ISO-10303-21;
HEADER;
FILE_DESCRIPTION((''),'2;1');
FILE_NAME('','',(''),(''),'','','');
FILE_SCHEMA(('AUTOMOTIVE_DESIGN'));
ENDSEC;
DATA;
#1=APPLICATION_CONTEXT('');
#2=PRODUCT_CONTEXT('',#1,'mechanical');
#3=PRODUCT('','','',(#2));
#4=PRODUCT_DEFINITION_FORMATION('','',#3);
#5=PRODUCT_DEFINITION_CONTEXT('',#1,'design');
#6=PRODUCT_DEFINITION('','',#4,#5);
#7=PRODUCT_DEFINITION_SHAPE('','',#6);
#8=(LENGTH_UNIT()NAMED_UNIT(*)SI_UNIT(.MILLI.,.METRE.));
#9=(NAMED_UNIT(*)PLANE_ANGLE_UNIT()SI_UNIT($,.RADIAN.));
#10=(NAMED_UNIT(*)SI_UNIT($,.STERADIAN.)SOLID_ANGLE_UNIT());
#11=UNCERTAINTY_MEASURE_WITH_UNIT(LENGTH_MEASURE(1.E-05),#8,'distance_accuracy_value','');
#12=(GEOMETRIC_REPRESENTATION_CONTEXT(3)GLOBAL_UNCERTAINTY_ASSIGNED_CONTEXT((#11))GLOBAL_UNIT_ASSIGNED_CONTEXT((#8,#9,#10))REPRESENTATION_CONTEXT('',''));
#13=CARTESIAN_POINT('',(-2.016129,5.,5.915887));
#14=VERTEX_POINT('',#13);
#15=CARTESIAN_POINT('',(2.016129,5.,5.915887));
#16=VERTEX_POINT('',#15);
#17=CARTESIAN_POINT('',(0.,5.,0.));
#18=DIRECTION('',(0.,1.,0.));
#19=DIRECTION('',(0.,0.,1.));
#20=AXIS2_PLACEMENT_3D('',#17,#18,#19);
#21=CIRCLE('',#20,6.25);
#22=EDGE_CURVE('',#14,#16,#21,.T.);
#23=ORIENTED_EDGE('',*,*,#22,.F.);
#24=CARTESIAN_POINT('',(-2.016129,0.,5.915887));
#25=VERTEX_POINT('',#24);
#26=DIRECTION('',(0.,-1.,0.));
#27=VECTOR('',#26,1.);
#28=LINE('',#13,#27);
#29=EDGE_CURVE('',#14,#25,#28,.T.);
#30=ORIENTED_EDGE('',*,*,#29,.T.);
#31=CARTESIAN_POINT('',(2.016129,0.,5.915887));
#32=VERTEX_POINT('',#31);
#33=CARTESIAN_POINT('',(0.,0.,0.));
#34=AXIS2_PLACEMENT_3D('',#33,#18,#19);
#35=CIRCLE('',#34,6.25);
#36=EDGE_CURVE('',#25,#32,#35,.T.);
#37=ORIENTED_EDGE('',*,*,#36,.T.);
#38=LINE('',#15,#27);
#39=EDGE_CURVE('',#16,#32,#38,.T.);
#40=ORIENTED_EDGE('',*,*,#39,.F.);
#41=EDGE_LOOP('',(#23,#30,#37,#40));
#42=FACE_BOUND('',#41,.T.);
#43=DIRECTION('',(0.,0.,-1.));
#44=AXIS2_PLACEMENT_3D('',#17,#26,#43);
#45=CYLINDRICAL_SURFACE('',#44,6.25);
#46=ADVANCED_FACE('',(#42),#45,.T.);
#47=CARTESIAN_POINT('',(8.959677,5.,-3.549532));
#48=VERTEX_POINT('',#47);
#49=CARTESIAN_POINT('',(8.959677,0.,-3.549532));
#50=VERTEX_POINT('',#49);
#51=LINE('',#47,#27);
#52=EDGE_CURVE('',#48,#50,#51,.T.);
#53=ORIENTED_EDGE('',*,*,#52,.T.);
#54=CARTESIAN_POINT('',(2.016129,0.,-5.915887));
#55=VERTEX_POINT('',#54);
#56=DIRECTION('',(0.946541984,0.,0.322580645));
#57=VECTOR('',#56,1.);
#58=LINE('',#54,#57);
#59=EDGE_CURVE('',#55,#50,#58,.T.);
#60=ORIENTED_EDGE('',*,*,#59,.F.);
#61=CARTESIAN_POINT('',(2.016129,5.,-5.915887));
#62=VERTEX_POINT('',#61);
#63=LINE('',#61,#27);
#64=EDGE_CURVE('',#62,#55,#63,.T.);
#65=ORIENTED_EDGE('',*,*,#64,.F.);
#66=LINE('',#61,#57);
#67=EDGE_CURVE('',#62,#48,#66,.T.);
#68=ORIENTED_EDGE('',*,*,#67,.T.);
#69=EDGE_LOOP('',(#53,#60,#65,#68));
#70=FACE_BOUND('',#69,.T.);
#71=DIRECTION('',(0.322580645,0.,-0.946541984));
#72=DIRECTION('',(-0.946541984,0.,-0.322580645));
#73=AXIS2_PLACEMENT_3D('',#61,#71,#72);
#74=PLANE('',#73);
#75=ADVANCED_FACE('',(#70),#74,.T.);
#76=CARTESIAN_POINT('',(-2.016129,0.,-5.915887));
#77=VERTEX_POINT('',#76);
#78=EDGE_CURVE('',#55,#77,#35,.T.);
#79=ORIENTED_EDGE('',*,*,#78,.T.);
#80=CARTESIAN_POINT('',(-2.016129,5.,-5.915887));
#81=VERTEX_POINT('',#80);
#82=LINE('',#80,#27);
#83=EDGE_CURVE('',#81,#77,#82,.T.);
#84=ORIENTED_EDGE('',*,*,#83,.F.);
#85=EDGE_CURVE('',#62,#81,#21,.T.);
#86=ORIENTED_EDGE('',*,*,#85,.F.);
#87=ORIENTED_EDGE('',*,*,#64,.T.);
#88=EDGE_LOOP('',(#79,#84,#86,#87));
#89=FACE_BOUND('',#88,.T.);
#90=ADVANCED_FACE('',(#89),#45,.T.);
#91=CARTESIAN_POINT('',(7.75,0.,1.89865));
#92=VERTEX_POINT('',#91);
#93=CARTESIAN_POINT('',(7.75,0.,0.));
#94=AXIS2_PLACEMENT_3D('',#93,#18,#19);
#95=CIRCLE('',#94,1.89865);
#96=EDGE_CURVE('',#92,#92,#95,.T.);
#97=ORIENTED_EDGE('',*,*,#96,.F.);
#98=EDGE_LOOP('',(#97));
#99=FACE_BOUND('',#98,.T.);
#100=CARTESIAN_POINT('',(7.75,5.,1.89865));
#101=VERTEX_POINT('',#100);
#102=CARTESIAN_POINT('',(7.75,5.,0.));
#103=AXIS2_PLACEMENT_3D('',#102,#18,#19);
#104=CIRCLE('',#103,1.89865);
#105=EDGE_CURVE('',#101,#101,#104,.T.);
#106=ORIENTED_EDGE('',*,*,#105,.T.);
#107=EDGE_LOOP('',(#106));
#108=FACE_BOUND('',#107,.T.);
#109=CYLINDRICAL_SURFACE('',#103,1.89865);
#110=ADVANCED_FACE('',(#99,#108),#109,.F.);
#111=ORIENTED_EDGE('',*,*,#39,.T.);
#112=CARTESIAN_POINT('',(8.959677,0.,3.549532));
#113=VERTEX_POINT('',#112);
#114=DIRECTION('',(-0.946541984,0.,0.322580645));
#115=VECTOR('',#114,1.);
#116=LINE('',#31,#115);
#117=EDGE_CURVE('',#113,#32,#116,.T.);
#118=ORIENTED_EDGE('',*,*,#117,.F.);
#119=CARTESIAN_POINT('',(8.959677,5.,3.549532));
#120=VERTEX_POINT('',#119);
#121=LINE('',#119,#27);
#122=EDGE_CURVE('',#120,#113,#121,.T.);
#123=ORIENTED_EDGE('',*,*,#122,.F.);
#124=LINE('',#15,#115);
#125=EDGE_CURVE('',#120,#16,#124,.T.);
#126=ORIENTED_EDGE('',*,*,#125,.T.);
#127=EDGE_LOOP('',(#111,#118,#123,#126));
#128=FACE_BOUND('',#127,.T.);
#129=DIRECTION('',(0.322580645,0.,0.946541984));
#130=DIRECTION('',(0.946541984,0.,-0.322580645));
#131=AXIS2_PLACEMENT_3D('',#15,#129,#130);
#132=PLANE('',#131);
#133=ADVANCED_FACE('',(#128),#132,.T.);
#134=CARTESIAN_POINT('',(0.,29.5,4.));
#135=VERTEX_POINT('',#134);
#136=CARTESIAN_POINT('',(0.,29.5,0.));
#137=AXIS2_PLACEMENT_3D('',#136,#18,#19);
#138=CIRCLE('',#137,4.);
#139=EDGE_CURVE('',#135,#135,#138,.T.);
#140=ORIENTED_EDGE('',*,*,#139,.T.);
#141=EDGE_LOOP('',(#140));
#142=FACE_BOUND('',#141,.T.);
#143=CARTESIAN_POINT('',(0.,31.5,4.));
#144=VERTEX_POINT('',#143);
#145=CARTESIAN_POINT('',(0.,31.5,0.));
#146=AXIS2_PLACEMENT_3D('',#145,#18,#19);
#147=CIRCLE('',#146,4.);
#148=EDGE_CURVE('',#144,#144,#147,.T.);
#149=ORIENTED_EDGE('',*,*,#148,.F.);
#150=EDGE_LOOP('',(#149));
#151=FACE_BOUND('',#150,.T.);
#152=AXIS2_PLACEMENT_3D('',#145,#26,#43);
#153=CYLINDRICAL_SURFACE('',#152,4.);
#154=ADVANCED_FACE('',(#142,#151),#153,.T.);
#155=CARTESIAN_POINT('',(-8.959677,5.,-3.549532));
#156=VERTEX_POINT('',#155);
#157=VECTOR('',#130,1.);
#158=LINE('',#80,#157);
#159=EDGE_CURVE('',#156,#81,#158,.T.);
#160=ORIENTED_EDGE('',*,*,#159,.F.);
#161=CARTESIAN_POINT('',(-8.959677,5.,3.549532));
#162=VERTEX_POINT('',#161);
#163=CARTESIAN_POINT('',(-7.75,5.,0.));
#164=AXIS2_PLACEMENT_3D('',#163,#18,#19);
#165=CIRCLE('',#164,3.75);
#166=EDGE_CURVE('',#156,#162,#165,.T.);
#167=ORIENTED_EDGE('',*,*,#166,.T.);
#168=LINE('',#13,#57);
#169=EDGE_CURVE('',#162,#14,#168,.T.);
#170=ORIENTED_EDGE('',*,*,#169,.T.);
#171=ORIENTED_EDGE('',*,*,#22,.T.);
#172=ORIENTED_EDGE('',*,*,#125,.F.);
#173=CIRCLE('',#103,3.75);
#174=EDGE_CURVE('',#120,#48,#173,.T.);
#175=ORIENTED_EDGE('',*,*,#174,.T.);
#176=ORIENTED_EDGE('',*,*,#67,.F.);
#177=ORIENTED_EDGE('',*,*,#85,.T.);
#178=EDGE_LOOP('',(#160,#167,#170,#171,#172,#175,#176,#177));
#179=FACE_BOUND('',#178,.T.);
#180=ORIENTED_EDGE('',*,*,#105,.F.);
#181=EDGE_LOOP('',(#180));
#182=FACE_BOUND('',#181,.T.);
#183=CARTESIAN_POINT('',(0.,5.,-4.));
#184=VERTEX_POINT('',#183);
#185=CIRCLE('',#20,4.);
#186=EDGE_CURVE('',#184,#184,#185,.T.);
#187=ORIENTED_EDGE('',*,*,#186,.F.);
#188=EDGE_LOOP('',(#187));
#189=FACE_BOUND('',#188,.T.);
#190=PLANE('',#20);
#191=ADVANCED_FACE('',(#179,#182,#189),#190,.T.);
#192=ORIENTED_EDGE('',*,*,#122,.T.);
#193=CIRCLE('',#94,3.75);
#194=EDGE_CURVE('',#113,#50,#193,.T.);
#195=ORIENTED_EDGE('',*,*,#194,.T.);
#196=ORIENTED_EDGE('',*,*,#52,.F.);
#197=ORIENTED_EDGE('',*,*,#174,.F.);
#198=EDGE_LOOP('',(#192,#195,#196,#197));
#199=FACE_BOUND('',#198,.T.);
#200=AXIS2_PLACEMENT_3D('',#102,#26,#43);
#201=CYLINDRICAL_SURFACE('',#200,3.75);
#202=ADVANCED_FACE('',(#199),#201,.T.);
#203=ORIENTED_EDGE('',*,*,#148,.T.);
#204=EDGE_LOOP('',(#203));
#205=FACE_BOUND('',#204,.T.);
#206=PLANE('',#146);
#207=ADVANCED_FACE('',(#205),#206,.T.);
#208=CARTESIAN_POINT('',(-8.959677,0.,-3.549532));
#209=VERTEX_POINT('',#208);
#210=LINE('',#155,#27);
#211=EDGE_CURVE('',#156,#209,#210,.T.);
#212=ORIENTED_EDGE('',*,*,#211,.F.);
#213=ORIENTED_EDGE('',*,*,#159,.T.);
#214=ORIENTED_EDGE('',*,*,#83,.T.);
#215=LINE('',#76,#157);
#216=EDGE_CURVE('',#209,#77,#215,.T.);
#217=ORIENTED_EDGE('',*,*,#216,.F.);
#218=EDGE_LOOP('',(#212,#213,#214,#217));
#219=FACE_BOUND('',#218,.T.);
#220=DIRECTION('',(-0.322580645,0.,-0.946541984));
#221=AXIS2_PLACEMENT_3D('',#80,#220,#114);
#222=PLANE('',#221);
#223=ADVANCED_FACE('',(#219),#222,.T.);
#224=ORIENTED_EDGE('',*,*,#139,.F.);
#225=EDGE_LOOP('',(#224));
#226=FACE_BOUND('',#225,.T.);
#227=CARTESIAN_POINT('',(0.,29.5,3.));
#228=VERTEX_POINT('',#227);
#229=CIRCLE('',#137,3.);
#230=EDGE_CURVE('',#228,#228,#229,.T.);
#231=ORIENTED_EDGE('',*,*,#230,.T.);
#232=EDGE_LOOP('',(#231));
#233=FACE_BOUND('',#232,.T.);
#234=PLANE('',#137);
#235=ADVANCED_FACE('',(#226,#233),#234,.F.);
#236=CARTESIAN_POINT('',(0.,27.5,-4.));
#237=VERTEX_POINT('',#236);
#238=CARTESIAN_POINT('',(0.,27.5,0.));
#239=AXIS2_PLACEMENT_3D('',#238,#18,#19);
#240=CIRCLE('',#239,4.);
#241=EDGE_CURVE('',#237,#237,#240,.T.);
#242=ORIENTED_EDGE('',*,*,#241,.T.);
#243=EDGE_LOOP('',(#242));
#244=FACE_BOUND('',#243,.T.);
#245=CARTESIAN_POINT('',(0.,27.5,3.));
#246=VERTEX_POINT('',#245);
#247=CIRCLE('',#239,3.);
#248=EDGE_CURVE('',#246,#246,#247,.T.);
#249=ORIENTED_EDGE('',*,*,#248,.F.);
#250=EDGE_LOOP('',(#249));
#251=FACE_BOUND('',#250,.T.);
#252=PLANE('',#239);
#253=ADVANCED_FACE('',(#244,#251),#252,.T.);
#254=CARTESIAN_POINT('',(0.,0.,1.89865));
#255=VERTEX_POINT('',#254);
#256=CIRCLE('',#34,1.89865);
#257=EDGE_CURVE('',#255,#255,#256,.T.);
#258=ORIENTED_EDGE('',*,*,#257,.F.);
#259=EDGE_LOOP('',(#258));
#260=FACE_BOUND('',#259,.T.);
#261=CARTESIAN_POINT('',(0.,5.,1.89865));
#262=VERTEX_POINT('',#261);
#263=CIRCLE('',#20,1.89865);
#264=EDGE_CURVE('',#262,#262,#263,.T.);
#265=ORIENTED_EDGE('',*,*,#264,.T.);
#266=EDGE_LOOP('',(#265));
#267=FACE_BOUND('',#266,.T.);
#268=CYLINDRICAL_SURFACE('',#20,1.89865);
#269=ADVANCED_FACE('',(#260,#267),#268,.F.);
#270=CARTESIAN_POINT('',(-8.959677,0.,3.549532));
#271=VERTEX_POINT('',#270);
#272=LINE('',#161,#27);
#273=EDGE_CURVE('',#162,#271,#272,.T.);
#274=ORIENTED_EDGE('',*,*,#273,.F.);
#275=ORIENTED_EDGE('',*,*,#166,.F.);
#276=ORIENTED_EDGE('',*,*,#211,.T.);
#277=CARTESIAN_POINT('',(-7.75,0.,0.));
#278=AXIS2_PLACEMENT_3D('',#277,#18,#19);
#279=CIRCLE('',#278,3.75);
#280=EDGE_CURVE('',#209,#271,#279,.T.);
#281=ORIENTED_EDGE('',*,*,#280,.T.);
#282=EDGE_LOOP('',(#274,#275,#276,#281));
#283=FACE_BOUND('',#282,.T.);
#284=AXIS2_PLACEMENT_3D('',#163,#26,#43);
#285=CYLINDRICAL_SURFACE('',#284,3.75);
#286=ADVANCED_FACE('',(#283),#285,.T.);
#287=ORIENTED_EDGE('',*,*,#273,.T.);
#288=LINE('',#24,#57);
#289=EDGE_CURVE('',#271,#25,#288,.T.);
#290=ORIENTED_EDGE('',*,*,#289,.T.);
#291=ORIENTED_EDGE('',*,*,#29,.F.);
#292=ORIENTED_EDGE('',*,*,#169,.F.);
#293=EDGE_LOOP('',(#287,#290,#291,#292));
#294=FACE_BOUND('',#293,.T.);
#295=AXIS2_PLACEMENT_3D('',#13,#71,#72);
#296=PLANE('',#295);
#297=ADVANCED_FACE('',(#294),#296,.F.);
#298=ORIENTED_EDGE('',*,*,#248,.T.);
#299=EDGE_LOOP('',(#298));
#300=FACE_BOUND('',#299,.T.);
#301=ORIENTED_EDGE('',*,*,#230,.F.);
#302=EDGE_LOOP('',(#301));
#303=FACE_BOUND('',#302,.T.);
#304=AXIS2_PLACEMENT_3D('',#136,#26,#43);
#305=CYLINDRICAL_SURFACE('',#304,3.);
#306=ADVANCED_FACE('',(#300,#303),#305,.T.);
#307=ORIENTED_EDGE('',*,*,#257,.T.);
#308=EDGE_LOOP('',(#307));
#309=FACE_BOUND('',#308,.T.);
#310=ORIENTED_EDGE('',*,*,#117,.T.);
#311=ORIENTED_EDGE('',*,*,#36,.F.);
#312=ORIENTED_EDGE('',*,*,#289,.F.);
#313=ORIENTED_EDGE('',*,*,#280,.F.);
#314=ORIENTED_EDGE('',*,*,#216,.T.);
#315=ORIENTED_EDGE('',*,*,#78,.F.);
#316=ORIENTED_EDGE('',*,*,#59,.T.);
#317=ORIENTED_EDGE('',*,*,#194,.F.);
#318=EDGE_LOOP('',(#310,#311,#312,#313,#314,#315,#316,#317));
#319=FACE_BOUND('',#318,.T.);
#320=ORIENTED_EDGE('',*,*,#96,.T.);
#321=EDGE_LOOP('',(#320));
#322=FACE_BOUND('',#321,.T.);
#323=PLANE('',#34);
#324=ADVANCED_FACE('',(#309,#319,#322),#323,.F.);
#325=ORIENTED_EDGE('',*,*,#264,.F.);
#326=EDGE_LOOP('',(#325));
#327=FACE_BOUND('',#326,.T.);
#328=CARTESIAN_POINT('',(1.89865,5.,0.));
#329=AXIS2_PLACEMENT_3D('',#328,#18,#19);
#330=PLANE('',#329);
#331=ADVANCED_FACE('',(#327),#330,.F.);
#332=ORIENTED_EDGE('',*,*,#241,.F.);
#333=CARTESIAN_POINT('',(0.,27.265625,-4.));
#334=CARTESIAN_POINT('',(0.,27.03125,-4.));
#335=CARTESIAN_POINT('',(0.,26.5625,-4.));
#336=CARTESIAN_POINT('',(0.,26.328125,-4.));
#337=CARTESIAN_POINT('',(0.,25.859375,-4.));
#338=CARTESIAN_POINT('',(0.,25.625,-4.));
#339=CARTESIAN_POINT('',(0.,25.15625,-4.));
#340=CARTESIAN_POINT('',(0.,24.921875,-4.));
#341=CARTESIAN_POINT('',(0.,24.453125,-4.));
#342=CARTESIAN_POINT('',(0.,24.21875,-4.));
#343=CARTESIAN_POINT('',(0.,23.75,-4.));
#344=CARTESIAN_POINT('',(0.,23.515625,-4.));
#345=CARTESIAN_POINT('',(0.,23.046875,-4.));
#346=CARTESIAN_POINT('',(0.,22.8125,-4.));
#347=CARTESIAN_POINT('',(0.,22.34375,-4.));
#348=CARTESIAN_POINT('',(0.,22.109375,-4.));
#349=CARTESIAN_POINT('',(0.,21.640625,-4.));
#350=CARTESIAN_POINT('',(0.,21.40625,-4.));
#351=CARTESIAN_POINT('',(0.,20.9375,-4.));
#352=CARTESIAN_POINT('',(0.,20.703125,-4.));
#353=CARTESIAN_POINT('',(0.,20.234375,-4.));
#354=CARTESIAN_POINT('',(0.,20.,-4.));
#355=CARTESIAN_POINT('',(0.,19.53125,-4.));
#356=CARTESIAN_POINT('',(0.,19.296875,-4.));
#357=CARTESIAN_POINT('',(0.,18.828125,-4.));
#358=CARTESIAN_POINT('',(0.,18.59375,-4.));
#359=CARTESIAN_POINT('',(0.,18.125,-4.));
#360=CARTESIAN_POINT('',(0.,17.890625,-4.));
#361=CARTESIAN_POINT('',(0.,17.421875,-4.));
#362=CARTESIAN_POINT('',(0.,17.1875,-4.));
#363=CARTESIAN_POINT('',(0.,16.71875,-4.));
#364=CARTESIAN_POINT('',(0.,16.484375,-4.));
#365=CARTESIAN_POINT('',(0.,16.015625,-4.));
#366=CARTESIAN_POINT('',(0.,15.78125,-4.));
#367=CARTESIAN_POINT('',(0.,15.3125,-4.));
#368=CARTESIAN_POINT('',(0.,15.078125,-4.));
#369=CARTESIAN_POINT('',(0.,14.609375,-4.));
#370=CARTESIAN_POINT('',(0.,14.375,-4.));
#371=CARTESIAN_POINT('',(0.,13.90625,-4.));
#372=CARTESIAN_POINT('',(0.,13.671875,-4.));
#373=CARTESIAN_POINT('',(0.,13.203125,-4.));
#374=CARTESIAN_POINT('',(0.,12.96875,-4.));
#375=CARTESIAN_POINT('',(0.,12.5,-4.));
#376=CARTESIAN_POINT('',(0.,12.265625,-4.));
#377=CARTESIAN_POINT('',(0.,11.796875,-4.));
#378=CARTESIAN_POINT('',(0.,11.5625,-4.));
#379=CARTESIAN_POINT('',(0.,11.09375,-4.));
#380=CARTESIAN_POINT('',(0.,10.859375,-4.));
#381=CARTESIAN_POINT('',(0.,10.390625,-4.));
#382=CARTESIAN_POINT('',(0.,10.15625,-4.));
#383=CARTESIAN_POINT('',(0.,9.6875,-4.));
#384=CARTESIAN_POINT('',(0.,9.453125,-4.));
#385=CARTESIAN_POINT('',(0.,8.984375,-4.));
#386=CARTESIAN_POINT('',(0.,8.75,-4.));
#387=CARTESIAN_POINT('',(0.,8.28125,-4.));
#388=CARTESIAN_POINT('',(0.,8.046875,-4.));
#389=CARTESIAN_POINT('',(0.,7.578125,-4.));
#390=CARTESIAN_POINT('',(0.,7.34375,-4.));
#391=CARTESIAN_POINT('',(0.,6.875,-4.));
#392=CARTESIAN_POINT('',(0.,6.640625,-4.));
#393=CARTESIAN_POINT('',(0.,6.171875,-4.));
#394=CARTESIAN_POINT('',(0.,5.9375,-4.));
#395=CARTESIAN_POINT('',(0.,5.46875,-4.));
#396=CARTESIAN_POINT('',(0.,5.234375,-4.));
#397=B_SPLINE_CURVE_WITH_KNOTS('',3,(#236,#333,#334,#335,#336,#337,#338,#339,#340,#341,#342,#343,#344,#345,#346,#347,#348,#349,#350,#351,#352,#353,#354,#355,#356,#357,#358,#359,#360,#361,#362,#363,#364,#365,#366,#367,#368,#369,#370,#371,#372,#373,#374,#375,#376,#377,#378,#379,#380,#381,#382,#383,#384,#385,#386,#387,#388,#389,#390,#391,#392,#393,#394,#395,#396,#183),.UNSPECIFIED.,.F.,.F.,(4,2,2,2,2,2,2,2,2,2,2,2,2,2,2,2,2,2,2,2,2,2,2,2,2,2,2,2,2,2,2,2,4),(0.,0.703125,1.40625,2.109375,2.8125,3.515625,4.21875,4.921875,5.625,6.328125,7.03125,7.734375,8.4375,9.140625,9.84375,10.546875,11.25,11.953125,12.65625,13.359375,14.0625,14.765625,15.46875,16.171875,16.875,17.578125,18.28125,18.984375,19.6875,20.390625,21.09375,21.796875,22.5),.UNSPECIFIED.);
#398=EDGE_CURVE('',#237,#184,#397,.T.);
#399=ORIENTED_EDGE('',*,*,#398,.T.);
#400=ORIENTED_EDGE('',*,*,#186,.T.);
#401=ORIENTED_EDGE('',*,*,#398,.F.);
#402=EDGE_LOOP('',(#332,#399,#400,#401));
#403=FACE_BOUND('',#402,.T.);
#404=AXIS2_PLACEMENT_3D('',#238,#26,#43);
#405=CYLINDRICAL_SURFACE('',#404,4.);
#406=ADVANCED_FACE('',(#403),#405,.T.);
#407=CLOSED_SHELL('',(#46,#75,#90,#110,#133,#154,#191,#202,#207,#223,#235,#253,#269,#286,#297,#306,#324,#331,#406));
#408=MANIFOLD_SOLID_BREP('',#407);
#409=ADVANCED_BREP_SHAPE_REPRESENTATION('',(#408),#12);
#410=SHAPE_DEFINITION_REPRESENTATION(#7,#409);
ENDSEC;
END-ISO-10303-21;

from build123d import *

# Parameters (mm, degrees)
SKETCH1_R                      = 6.25
SKETCH1_R_2                    = 3.75
SKETCH1_R_3                    = 2.5
BOSS_EXTRUDE1_DEPTH            = 5
SKETCH2_R                      = 4
BOSS_EXTRUDE2_DEPTH            = 22.5
SKETCH3_R                      = 3
BOSS_EXTRUDE3_DEPTH            = 2
SKETCH4_R                      = 4
BOSS_EXTRUDE4_DEPTH            = 2
SKETCH6_W                      = 1.89865
SKETCH6_H                      = 5
F_6_CLEARANCE_HOLE1_AT_2_COUNT = 2
F_6_CLEARANCE_HOLE1_AT_2_PITCH = 7.75


with BuildPart() as part:
    # Sketch1 → Boss-Extrude1 (new body)
    # profile 1 of 15: a face of its own
    with BuildSketch(Plane(origin=(0, 0, 0), x_dir=(1, 0, 0), z_dir=(0, 1, 0))):
        Circle(SKETCH1_R)
    # profile 2 of 15: a face of its own
    with BuildSketch(Plane(origin=(0, 0, 0), x_dir=(1, 0, 0), z_dir=(0, 1, 0))):
        with Locations((-7.75, 0)):
            Circle(SKETCH1_R_2)
        with Locations((-7.75, 0)):
            Circle(SKETCH1_R_3, mode=Mode.SUBTRACT)
    # profile 3 of 15: a face of its own
    with BuildSketch(Plane(origin=(0, 0, 0), x_dir=(1, 0, 0), z_dir=(0, 1, 0))):
        Circle(SKETCH1_R)
    # profile 4 of 15: a face of its own
    with BuildSketch(Plane(origin=(0, 0, 0), x_dir=(1, 0, 0), z_dir=(0, 1, 0))):
        with Locations((-7.75, 0)):
            Circle(SKETCH1_R_2)
        with Locations((-7.75, 0)):
            Circle(SKETCH1_R_3, mode=Mode.SUBTRACT)
    # profile 5 of 15: a face of its own
    with BuildSketch(Plane(origin=(0, 0, 0), x_dir=(1, 0, 0), z_dir=(0, 1, 0))):
        with Locations((7.75, 0)):
            Circle(SKETCH1_R_2)
    # profile 6 of 15: a face of its own
    with BuildSketch(Plane(origin=(0, 0, 0), x_dir=(1, 0, 0), z_dir=(0, 1, 0))):
        Circle(SKETCH1_R)
    # profile 7 of 15: a face of its own
    with BuildSketch(Plane(origin=(0, 0, 0), x_dir=(1, 0, 0), z_dir=(0, 1, 0))):
        with Locations((-7.75, 0)):
            Circle(SKETCH1_R_2)
    # profile 8 of 15: a face of its own
    with BuildSketch(Plane(origin=(0, 0, 0), x_dir=(1, 0, 0), z_dir=(0, 1, 0))):
        with BuildLine():
            ThreePointArc((-5.487903226, -2.990889196), (-7.15425073, -3.702375293), (-8.959677419, -3.54953244))
            Line((-8.959677419, -3.54953244), (-2.016129032, -5.9158874))
            ThreePointArc((-2.016129032, -5.9158874), (-4.026975125, -4.77974595), (-5.487903226, -2.990889196))
        make_face()
    # profile 9 of 15: a face of its own
    with BuildSketch(Plane(origin=(0, 0, 0), x_dir=(1, 0, 0), z_dir=(0, 1, 0))):
        with BuildLine():
            ThreePointArc((5.487903226, -2.990889196), (4.026975125, -4.77974595), (2.016129032, -5.9158874))
            Line((2.016129032, -5.9158874), (8.959677419, -3.54953244))
            ThreePointArc((8.959677419, -3.54953244), (7.15425073, -3.702375293), (5.487903226, -2.990889196))
        make_face()
    # profile 10 of 15: a face of its own
    with BuildSketch(Plane(origin=(0, 0, 0), x_dir=(1, 0, 0), z_dir=(0, 1, 0))):
        Circle(SKETCH1_R)
    # profile 11 of 15: a face of its own
    with BuildSketch(Plane(origin=(0, 0, 0), x_dir=(1, 0, 0), z_dir=(0, 1, 0))):
        with Locations((7.75, 0)):
            Circle(SKETCH1_R_2)
        with Locations((7.75, 0)):
            Circle(SKETCH1_R_3, mode=Mode.SUBTRACT)
    # profile 12 of 15: a face of its own
    with BuildSketch(Plane(origin=(0, 0, 0), x_dir=(1, 0, 0), z_dir=(0, 1, 0))):
        with Locations((7.75, 0)):
            Circle(SKETCH1_R_2)
        with Locations((7.75, 0)):
            Circle(SKETCH1_R_3, mode=Mode.SUBTRACT)
    # profile 13 of 15: a face of its own
    with BuildSketch(Plane(origin=(0, 0, 0), x_dir=(1, 0, 0), z_dir=(0, 1, 0))):
        Circle(SKETCH1_R)
    # profile 14 of 15: a face of its own
    with BuildSketch(Plane(origin=(0, 0, 0), x_dir=(1, 0, 0), z_dir=(0, 1, 0))):
        with BuildLine():
            Line((8.959677419, 3.54953244), (2.016129032, 5.9158874))
            ThreePointArc((2.016129032, 5.9158874), (4.026975125, 4.77974595), (5.487903226, 2.990889196))
            ThreePointArc((5.487903226, 2.990889196), (7.15425073, 3.702375293), (8.959677419, 3.54953244))
        make_face()
    # profile 15 of 15: a face of its own
    with BuildSketch(Plane(origin=(0, 0, 0), x_dir=(1, 0, 0), z_dir=(0, 1, 0))):
        with BuildLine():
            Line((-2.016129032, 5.9158874), (-8.959677419, 3.54953244))
            ThreePointArc((-8.959677419, 3.54953244), (-7.15425073, 3.702375293), (-5.487903226, 2.990889196))
            ThreePointArc((-5.487903226, 2.990889196), (-4.026975125, 4.77974595), (-2.016129032, 5.9158874))
        make_face()
    extrude(amount=BOSS_EXTRUDE1_DEPTH)

    # Sketch2 → Boss-Extrude2 (add)
    with BuildSketch(Plane(origin=(0, 5, 0), x_dir=(1, 0, 0), z_dir=(0, 1, 0))):
        with Locations(Location((0, 0, 0), (0, 0, 90))):
            Circle(SKETCH2_R)
    extrude(amount=BOSS_EXTRUDE2_DEPTH)

    # Sketch3 → Boss-Extrude3 (add)
    with BuildSketch(Plane(origin=(0, 27.5, 0), x_dir=(1, 0, 0), z_dir=(0, 1, 0))):
        with Locations(Location((0, 0, 0), (0, 0, 270))):
            Circle(SKETCH3_R)
    extrude(amount=BOSS_EXTRUDE3_DEPTH)

    # Sketch4 → Boss-Extrude4 (add)
    with BuildSketch(Plane(origin=(0, 29.5, 0), x_dir=(1, 0, 0), z_dir=(0, 1, 0))):
        with Locations(Location((0, 0, 0), (0, 0, 90))):
            Circle(SKETCH4_R)
    extrude(amount=BOSS_EXTRUDE4_DEPTH)

    # Sketch6 → #6 Clearance Hole1 (revolve, cut)
    with BuildSketch(Plane(origin=(7.75, 5, 0), x_dir=(0, 0, 1), z_dir=(1, 0, 0))):
        with Locations((0.949325, 2.5)):
            Rectangle(SKETCH6_W, SKETCH6_H)
    f_6_clearance_hole1 = revolve(axis=Axis((7.75, 11.35, 0), (0, -1, 0)), mode=Mode.SUBTRACT)

    # #6 Clearance Hole1 at 2: #6 Clearance Hole1 ×2
    with Locations(*[(-i * F_6_CLEARANCE_HOLE1_AT_2_PITCH, 0, 0) for i in range(1, F_6_CLEARANCE_HOLE1_AT_2_COUNT)]):
        add(f_6_clearance_hole1, mode=Mode.SUBTRACT)


solid = part.part
